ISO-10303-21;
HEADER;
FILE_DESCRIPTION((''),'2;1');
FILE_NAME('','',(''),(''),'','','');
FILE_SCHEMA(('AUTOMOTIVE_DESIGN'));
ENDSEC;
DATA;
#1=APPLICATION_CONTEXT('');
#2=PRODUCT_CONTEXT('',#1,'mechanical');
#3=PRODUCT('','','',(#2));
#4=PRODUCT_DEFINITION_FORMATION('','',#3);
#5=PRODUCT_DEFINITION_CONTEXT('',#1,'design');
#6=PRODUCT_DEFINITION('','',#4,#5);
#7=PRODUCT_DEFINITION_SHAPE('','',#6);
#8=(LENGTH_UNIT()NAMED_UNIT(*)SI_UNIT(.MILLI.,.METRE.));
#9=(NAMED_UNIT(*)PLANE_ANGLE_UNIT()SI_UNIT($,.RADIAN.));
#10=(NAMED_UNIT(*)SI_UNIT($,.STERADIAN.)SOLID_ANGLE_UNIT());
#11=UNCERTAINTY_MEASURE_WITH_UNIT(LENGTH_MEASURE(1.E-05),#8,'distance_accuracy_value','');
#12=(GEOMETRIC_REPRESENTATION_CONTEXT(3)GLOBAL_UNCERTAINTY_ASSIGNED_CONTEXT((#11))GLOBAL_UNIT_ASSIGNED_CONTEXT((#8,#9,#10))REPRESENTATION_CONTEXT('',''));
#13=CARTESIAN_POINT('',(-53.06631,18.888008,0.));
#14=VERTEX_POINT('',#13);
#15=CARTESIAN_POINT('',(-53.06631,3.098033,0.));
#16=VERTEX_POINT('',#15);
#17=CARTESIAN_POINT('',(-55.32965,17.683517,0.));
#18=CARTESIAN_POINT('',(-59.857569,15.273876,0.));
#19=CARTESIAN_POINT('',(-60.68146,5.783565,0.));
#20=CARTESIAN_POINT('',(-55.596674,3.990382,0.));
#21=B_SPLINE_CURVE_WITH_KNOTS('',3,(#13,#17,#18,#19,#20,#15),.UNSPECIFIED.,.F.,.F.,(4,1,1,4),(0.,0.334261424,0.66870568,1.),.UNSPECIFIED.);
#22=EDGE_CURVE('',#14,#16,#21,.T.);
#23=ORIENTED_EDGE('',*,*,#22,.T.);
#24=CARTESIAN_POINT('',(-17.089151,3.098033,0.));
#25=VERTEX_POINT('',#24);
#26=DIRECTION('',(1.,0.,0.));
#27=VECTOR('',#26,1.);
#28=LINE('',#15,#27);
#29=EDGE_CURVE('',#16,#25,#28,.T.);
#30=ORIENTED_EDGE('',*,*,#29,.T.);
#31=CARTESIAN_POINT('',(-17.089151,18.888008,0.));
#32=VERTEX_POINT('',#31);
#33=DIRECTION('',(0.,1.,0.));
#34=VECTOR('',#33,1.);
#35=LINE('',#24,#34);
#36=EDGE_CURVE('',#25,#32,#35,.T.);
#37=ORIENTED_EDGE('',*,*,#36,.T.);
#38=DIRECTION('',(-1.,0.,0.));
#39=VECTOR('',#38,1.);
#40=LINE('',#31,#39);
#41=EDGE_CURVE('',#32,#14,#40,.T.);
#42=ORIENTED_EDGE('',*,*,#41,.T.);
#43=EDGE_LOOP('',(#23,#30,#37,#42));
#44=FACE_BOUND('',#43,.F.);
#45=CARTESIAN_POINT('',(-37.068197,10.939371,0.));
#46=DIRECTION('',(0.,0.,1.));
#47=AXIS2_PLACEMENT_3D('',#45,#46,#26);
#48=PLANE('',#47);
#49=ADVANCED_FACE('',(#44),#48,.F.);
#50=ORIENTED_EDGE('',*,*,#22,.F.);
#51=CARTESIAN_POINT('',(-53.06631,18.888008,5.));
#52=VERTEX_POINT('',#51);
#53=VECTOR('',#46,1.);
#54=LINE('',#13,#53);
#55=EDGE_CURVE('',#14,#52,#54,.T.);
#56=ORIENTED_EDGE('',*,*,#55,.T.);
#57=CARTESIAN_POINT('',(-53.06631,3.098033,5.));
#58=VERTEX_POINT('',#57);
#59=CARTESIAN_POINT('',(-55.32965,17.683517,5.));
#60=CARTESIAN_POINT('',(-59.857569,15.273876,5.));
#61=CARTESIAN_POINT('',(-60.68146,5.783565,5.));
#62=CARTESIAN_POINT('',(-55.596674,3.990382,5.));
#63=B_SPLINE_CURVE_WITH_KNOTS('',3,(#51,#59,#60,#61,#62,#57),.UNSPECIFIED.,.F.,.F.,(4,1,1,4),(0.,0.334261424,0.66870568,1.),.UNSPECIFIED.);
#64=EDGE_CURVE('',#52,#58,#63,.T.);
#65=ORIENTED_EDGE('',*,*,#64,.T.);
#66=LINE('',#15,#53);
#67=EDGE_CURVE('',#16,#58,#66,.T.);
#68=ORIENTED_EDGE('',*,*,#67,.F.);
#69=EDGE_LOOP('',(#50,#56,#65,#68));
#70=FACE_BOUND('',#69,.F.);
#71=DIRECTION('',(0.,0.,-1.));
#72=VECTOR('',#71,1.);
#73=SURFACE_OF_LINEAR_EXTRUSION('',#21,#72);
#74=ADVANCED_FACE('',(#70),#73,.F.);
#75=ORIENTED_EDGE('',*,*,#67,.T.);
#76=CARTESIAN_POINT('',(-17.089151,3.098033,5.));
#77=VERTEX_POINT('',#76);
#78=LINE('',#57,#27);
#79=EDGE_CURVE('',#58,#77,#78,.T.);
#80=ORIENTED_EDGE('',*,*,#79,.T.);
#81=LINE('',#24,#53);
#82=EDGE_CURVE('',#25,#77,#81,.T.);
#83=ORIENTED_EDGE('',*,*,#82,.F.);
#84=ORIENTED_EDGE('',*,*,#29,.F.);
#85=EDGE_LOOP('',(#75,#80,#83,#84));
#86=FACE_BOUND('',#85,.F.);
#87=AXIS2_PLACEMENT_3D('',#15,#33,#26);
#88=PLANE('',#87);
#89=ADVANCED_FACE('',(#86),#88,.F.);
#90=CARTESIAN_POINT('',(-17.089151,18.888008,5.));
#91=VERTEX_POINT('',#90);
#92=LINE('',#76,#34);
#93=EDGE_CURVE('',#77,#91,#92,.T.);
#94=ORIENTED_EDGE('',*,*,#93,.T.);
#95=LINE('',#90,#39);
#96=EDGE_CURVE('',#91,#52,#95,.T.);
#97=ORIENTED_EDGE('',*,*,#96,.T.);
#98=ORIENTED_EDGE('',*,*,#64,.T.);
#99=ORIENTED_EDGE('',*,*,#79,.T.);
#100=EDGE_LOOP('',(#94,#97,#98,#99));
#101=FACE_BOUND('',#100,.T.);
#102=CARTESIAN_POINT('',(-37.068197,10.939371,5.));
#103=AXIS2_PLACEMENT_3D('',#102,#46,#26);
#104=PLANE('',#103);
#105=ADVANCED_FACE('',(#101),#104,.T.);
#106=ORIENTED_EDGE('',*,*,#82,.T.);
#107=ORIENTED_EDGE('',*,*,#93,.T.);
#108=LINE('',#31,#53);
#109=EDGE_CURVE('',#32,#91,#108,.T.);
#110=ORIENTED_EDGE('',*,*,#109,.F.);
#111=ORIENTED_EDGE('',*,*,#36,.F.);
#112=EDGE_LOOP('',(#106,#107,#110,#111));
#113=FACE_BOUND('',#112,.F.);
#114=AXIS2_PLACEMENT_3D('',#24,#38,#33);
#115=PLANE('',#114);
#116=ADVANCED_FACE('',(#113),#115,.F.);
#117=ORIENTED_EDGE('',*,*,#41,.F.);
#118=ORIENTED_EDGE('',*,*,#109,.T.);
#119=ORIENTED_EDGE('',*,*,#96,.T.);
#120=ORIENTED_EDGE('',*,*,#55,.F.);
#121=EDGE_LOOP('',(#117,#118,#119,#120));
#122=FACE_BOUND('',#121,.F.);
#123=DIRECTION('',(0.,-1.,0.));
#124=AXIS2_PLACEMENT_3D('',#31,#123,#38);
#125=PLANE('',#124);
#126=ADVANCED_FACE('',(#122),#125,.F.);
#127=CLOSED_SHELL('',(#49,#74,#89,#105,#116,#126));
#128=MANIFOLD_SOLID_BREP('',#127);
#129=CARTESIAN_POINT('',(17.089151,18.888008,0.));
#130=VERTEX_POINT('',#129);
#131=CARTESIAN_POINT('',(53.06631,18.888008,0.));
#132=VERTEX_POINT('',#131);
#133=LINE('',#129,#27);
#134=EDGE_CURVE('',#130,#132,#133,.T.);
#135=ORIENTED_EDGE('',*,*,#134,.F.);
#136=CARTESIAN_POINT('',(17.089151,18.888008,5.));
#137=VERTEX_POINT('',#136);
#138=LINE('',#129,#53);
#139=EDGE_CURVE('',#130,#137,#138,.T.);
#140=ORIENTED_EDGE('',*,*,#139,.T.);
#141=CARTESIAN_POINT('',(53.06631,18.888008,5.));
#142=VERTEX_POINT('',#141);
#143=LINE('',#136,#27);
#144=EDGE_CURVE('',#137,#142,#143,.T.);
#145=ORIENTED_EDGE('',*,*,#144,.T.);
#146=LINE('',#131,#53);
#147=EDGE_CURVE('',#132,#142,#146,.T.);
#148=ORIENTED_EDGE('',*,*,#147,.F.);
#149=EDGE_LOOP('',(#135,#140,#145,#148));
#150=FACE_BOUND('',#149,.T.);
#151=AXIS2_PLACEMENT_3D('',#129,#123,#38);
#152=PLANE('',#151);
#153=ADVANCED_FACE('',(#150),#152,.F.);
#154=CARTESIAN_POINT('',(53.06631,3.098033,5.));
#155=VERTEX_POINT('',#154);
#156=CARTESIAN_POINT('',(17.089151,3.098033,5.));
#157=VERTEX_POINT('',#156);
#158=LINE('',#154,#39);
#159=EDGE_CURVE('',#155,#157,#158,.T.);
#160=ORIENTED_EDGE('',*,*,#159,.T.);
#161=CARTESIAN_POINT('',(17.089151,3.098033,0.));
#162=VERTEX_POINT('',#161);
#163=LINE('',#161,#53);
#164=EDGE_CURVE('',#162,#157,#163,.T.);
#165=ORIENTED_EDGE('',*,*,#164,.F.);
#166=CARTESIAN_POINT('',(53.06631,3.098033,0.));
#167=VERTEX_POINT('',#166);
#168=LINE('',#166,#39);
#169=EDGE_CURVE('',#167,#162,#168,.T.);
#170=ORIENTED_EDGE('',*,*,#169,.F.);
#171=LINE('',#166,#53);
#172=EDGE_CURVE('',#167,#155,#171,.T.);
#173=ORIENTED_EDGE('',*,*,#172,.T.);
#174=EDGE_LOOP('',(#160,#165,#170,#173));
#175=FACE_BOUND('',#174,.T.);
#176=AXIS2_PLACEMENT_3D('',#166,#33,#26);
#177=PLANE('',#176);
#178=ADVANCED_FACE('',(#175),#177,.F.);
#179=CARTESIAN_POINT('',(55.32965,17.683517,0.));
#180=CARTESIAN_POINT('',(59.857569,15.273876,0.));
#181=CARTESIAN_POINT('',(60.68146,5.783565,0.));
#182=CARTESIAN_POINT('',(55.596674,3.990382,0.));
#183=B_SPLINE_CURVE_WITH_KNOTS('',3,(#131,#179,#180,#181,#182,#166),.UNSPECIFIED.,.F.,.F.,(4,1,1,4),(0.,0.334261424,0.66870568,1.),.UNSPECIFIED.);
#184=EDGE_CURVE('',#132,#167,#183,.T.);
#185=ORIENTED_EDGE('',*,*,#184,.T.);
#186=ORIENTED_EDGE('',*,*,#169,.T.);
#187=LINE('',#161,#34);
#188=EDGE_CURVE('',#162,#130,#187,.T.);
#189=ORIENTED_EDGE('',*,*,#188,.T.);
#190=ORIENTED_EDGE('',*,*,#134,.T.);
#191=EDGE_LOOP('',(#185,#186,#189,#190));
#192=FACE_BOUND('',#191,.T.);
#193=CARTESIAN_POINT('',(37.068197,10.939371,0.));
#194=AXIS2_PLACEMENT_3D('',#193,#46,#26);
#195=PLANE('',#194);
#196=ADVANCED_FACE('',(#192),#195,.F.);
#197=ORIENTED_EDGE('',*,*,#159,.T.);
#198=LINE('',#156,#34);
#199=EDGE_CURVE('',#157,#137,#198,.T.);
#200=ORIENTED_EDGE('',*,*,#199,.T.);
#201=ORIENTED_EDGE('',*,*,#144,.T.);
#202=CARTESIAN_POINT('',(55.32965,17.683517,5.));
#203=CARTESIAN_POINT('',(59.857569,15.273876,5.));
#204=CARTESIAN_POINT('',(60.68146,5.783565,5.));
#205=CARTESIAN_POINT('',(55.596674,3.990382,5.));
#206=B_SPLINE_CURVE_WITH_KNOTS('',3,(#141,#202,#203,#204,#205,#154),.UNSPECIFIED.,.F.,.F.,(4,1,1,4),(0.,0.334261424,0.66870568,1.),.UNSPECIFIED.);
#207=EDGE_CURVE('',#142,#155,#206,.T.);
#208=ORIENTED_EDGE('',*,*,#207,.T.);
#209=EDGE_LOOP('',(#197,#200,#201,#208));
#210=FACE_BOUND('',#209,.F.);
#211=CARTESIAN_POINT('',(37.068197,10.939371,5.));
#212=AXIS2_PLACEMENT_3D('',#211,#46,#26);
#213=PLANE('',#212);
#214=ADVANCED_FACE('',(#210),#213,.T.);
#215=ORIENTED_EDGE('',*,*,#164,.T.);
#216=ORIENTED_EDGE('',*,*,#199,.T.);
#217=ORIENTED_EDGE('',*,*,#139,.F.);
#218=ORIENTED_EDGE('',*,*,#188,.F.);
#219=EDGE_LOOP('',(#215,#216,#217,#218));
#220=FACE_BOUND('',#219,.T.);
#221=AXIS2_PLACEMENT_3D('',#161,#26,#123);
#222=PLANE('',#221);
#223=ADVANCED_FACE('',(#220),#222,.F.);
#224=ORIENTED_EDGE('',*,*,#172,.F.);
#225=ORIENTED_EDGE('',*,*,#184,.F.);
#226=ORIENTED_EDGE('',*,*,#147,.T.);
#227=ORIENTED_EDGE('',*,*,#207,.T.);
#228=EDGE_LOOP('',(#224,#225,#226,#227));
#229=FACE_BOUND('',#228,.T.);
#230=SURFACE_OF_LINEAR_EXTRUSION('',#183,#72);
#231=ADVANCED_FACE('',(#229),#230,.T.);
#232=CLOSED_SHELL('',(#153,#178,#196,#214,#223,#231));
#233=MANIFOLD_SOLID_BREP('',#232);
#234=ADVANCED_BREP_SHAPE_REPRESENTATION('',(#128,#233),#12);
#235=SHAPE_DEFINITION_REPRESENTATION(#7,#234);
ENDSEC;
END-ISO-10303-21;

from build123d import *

# Parameters (mm, degrees)
F1_DEPTH = 5


with BuildPart() as f1:
    # F0 (on Top) → F1 (new body)
    with BuildSketch(Plane.XY):
        with BuildLine():
            Line((-17.089150846, 3.0980331358), (-17.089150846, 18.8880078495))
            Line((-17.089150846, 18.8880078495), (-53.0663095415, 18.8880078495))
            add(Edge.make_bspline(
                [(-53.0663095415, 18.8880078495), (-55.3296501487, 17.6835168568), (-59.857569347, 15.2738760489), (-60.6814601397, 5.7835653094), (-55.5966735327, 3.9903823837), (-53.0663095415, 3.0980331358)],
                knots=[0, 0, 0, 0, 0.3342614244, 0.6687056804, 1, 1, 1, 1], degree=3))
            Line((-53.0663095415, 3.0980331358), (-17.089150846, 3.0980331358))
        make_face()
    extrude(amount=F1_DEPTH)


with BuildPart() as f2_1:
    # F2: instance of F1
    add(f1.part.mirror(Plane.YZ))


solid = Compound([f1.part, f2_1.part])
